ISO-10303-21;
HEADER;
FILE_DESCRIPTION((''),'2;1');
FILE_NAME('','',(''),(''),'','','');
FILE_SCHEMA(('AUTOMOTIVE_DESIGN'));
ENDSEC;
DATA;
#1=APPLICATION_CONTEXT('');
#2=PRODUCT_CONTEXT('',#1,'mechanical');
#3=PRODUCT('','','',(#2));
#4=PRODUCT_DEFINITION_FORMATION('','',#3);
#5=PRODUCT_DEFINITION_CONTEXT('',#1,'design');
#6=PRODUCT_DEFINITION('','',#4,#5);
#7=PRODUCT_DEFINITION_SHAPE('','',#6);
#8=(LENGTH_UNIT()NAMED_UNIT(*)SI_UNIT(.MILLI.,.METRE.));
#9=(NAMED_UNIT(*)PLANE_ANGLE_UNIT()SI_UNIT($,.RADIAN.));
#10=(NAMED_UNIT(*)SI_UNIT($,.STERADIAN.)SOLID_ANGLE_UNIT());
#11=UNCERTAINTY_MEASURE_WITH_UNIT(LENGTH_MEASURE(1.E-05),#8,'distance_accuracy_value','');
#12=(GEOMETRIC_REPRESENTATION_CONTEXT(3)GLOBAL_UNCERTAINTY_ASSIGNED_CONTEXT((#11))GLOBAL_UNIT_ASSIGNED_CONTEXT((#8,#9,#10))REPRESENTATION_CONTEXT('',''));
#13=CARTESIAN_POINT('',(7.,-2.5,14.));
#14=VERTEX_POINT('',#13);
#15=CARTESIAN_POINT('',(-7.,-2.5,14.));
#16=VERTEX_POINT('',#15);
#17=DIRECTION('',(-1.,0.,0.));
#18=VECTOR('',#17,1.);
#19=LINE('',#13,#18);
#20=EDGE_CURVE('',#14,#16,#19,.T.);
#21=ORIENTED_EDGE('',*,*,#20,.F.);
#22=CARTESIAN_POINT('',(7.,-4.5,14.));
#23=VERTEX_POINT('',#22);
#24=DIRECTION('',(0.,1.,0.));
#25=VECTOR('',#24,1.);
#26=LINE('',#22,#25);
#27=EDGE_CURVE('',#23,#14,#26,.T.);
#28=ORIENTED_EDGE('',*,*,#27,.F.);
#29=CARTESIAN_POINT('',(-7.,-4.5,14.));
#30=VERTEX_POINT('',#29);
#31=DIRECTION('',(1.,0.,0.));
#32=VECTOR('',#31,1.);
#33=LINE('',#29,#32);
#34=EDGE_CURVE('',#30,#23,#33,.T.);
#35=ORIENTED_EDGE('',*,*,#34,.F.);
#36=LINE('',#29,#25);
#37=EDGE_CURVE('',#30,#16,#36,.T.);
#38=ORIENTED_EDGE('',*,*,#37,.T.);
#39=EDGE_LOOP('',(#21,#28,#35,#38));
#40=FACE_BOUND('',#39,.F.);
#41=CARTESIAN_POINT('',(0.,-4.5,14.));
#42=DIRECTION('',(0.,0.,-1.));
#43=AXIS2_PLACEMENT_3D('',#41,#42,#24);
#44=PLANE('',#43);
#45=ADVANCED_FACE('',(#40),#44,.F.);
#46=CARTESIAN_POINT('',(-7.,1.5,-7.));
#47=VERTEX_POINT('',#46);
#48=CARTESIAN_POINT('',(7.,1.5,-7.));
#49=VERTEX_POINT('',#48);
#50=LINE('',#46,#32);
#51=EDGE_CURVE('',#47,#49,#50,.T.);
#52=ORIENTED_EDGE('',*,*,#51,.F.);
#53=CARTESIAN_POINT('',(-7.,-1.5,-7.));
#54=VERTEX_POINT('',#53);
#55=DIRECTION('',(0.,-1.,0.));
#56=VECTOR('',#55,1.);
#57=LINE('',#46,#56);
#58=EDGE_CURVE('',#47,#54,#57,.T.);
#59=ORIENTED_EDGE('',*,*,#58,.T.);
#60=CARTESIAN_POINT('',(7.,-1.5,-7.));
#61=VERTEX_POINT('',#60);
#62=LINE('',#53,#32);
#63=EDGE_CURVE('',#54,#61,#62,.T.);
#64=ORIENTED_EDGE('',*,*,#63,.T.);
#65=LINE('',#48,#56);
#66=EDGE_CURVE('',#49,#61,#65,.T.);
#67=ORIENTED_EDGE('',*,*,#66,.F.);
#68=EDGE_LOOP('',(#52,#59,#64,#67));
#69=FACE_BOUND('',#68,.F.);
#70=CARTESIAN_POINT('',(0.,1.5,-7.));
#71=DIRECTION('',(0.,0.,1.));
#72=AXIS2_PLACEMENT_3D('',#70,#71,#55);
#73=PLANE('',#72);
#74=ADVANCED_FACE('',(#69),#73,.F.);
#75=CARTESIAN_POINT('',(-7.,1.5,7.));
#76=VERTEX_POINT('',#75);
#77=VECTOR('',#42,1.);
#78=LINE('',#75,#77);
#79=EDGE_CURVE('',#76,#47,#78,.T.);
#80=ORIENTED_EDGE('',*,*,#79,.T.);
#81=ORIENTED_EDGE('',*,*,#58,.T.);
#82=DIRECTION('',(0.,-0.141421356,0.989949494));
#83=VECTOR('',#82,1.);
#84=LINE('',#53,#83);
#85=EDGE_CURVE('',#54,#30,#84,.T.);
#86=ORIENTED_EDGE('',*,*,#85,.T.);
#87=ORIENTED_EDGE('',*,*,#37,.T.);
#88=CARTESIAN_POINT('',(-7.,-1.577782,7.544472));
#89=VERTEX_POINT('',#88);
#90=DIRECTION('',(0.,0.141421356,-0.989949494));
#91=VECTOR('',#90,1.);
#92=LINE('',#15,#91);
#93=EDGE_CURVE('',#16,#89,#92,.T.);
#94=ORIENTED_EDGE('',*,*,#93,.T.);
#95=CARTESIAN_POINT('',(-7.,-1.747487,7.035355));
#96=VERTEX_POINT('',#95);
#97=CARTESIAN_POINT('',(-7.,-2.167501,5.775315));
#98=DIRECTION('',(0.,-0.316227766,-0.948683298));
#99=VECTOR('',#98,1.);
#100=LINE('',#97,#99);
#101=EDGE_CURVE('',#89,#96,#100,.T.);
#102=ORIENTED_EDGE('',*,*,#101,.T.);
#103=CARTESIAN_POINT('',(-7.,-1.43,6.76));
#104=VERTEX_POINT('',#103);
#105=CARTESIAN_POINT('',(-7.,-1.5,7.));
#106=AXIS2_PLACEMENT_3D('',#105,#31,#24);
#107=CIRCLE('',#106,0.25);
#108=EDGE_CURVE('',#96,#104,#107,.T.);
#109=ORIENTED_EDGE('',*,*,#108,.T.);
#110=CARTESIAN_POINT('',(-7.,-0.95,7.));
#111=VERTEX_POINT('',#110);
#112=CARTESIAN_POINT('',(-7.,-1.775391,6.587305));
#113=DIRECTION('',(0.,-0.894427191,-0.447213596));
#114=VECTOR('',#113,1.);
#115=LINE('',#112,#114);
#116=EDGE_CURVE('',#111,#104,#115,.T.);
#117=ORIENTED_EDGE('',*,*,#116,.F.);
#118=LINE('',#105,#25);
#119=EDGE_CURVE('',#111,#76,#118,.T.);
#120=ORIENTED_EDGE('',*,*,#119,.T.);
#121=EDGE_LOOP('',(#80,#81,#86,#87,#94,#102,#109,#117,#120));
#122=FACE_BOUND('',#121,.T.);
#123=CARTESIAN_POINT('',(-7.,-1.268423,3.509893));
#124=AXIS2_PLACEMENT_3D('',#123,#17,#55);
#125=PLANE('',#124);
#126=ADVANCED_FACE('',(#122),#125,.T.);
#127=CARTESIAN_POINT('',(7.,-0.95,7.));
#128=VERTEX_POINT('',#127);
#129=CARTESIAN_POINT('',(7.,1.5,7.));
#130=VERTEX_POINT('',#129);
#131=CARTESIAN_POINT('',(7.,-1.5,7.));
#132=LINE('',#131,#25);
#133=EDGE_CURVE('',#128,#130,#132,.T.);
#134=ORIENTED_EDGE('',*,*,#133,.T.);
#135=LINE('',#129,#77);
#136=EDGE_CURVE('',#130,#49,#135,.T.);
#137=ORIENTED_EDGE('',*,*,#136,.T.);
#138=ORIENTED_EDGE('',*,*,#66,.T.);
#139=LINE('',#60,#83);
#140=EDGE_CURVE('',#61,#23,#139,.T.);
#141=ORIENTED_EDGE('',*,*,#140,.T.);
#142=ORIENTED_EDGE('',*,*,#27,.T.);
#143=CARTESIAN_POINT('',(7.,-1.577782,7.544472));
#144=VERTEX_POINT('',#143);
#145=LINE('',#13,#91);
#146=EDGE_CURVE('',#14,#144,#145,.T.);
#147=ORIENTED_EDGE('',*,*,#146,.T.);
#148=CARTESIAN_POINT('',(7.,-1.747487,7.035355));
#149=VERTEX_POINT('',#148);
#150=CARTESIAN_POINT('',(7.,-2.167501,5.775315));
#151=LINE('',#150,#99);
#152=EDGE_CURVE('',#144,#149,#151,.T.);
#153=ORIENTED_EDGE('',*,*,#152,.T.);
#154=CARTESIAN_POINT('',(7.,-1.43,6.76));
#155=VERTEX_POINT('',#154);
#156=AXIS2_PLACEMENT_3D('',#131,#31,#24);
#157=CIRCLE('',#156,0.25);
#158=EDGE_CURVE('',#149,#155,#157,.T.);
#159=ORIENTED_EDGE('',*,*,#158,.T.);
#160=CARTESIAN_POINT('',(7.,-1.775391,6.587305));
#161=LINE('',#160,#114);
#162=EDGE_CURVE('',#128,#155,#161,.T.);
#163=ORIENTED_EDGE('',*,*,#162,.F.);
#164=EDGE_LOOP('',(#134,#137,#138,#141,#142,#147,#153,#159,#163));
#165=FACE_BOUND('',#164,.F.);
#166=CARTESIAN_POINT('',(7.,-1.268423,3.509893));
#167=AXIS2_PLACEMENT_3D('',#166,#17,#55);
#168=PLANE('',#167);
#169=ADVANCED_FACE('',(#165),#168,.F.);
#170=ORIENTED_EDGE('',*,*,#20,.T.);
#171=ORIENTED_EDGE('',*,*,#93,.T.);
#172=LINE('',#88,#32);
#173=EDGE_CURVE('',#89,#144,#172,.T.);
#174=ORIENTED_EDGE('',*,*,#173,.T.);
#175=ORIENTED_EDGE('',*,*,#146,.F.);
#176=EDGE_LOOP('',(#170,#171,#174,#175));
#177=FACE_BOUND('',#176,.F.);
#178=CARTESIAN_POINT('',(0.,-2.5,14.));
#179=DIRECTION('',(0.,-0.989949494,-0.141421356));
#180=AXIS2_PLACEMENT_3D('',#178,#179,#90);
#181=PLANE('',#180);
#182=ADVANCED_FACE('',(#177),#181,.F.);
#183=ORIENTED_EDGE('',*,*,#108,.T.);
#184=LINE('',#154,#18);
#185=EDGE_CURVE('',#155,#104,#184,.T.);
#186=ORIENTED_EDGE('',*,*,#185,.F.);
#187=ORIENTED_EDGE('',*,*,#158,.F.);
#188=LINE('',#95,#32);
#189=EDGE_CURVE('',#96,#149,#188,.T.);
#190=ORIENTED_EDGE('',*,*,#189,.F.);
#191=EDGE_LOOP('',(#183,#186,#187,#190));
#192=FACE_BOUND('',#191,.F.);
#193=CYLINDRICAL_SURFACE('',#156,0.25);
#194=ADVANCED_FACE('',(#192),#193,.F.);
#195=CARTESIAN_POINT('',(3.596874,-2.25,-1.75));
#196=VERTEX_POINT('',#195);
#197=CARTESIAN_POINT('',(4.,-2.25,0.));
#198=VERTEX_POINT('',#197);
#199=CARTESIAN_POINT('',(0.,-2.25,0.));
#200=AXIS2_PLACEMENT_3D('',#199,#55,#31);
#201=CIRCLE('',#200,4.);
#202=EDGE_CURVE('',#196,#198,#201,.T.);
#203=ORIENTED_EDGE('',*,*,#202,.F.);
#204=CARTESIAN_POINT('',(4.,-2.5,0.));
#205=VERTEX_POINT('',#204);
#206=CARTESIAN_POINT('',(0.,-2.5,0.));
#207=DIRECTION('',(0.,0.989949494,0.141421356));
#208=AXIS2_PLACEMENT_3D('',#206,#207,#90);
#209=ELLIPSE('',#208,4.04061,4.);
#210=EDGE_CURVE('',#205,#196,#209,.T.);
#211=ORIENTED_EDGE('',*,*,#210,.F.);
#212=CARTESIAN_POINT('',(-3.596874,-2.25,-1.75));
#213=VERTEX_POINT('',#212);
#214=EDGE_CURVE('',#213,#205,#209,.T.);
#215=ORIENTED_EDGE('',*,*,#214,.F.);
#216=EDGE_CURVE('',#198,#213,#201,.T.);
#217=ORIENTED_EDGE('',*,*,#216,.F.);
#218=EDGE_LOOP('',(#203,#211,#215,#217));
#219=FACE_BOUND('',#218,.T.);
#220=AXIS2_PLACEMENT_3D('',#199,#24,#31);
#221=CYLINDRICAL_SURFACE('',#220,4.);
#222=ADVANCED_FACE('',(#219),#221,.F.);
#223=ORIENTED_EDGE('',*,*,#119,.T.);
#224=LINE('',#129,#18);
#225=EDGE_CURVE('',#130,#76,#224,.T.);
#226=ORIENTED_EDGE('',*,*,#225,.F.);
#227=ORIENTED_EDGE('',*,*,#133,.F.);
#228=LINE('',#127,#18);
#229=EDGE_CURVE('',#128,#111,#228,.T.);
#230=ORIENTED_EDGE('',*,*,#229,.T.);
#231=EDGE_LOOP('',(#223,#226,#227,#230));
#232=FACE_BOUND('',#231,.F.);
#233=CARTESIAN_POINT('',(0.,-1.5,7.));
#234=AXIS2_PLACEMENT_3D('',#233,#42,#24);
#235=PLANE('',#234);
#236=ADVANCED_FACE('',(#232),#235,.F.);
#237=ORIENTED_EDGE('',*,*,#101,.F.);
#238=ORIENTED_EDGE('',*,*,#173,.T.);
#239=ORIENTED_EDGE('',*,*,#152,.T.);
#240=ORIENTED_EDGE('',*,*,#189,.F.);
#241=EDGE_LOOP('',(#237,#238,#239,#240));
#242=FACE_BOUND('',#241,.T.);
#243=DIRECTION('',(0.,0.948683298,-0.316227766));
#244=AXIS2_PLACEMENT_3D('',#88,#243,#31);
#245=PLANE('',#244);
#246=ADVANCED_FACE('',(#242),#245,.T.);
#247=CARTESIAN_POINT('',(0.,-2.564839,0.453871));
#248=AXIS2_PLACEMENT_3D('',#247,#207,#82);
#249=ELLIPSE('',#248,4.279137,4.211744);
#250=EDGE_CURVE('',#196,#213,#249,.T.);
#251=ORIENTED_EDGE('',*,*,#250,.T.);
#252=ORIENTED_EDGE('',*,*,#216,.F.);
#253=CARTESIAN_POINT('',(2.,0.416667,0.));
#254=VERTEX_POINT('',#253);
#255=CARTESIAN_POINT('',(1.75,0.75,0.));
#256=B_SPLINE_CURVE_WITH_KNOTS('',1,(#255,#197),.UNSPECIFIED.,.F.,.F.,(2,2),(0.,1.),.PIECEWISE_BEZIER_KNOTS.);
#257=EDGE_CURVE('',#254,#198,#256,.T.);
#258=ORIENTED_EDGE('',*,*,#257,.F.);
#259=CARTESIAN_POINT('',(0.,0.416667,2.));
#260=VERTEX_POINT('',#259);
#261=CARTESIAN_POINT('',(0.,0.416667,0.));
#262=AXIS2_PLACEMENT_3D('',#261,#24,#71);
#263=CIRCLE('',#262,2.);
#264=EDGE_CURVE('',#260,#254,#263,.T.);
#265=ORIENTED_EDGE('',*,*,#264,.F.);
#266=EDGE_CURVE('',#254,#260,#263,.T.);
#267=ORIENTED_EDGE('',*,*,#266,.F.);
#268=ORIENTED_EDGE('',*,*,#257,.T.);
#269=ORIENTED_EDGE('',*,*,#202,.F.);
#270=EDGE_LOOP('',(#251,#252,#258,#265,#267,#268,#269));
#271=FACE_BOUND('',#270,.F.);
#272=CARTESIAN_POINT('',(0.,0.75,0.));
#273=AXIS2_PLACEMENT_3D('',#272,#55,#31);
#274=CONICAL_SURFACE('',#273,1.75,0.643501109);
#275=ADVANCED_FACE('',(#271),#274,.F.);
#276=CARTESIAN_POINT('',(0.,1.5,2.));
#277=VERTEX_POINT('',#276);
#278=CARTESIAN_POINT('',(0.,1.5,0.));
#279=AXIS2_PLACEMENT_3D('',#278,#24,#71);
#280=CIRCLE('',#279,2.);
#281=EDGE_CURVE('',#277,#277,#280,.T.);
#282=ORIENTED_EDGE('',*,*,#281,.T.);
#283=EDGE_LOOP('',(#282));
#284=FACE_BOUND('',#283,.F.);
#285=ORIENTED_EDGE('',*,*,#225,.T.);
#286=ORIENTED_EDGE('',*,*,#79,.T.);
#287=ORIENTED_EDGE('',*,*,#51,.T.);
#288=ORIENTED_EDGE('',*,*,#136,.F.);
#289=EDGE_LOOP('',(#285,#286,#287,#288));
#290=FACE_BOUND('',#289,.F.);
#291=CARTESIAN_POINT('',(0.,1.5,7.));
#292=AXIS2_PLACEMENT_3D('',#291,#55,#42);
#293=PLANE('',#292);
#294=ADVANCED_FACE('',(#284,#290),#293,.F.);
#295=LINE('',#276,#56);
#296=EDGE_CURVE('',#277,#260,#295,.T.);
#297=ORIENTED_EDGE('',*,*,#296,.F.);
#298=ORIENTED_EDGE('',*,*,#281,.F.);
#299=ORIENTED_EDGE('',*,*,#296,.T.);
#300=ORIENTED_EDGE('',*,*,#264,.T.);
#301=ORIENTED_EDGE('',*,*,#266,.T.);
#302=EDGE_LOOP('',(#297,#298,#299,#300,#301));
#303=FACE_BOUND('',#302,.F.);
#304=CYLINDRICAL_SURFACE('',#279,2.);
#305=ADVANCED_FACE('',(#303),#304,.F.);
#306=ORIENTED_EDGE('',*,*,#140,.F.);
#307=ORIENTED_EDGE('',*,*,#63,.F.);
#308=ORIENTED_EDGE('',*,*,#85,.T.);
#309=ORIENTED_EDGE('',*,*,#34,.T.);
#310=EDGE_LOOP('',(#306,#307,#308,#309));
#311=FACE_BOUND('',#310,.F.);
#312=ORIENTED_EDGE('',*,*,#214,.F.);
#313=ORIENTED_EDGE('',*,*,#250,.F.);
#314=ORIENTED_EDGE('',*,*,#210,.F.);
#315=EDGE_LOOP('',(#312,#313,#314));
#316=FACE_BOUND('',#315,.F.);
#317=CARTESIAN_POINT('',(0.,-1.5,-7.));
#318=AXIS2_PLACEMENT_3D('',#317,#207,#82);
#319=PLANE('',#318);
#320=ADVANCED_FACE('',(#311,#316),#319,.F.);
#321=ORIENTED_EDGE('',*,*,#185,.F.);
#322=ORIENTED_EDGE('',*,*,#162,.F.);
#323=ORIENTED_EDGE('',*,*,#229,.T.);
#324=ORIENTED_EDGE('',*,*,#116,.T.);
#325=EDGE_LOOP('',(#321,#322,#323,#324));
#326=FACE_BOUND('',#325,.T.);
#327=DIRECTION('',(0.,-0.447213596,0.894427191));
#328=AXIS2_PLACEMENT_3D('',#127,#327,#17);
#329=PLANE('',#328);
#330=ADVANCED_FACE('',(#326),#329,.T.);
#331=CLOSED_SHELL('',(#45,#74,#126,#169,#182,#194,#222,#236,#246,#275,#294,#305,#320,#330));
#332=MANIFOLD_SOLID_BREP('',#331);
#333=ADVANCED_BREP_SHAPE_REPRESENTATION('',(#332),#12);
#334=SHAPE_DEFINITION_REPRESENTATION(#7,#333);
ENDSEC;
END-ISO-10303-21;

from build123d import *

# Parameters (mm, degrees)
SKETCH003_R     = 1.75
SKETCH004_R     = 4
SKETCH005_R     = 4
PAD001_DEPTH    = 2
PAD_DEPTH       = 7
SKETCH001_R     = 0.25
POCKET_DEPTH    = 14.001
SKETCH002_R     = 2
POCKET001_DEPTH = 6.001
CHAMFER_SIZE    = 0.3


with BuildPart() as schraubenkopf:
    # Sketch003 → Loft section 0
    with BuildSketch(Plane.XZ.offset(-0.75)):
        Circle(SKETCH003_R)
    # Sketch004 → Loft section 1
    with BuildSketch(Plane.XZ.offset(2.25)):
        Circle(SKETCH004_R)
    loft()

    # Sketch005 → Pad001 (new body)
    with BuildSketch(Plane.XZ.offset(2.25)):
        Circle(SKETCH005_R)
    extrude(amount=PAD001_DEPTH)


with BuildPart() as halterung_unten:
    # Sketch → Pad (new body, symmetric)
    with BuildSketch(Plane.YZ):
        Polygon((-4.5, 14), (-2.5, 14), (-1.5, 7), (1.5, 7), (1.5, -7), (-1.5, -7), align=None)
    extrude(amount=PAD_DEPTH, both=True)

    # Sketch001 → Pocket (cut, through all)
    with BuildSketch(Plane.YZ.offset(7)):
        with Locations((-1.5, 7)):
            Circle(SKETCH001_R)
    extrude(amount=-POCKET_DEPTH, mode=Mode.SUBTRACT)

    # Sketch002 → Pocket001 (cut, through all)
    with BuildSketch(Plane.ZX.offset(1.5)):
        Circle(SKETCH002_R)
    extrude(amount=-POCKET001_DEPTH, mode=Mode.SUBTRACT)

    # Cut: cut Schraubenkopf
    add(schraubenkopf.part, mode=Mode.SUBTRACT)

    # Chamfer
    chamfer_edges = [halterung_unten.edges().sort_by_distance(p)[0] for p in [
        (0, -1.535355, 7.247487),
        (0, -1.25, 7),
    ]]
    chamfer(chamfer_edges, length=CHAMFER_SIZE)


solid = halterung_unten.part
